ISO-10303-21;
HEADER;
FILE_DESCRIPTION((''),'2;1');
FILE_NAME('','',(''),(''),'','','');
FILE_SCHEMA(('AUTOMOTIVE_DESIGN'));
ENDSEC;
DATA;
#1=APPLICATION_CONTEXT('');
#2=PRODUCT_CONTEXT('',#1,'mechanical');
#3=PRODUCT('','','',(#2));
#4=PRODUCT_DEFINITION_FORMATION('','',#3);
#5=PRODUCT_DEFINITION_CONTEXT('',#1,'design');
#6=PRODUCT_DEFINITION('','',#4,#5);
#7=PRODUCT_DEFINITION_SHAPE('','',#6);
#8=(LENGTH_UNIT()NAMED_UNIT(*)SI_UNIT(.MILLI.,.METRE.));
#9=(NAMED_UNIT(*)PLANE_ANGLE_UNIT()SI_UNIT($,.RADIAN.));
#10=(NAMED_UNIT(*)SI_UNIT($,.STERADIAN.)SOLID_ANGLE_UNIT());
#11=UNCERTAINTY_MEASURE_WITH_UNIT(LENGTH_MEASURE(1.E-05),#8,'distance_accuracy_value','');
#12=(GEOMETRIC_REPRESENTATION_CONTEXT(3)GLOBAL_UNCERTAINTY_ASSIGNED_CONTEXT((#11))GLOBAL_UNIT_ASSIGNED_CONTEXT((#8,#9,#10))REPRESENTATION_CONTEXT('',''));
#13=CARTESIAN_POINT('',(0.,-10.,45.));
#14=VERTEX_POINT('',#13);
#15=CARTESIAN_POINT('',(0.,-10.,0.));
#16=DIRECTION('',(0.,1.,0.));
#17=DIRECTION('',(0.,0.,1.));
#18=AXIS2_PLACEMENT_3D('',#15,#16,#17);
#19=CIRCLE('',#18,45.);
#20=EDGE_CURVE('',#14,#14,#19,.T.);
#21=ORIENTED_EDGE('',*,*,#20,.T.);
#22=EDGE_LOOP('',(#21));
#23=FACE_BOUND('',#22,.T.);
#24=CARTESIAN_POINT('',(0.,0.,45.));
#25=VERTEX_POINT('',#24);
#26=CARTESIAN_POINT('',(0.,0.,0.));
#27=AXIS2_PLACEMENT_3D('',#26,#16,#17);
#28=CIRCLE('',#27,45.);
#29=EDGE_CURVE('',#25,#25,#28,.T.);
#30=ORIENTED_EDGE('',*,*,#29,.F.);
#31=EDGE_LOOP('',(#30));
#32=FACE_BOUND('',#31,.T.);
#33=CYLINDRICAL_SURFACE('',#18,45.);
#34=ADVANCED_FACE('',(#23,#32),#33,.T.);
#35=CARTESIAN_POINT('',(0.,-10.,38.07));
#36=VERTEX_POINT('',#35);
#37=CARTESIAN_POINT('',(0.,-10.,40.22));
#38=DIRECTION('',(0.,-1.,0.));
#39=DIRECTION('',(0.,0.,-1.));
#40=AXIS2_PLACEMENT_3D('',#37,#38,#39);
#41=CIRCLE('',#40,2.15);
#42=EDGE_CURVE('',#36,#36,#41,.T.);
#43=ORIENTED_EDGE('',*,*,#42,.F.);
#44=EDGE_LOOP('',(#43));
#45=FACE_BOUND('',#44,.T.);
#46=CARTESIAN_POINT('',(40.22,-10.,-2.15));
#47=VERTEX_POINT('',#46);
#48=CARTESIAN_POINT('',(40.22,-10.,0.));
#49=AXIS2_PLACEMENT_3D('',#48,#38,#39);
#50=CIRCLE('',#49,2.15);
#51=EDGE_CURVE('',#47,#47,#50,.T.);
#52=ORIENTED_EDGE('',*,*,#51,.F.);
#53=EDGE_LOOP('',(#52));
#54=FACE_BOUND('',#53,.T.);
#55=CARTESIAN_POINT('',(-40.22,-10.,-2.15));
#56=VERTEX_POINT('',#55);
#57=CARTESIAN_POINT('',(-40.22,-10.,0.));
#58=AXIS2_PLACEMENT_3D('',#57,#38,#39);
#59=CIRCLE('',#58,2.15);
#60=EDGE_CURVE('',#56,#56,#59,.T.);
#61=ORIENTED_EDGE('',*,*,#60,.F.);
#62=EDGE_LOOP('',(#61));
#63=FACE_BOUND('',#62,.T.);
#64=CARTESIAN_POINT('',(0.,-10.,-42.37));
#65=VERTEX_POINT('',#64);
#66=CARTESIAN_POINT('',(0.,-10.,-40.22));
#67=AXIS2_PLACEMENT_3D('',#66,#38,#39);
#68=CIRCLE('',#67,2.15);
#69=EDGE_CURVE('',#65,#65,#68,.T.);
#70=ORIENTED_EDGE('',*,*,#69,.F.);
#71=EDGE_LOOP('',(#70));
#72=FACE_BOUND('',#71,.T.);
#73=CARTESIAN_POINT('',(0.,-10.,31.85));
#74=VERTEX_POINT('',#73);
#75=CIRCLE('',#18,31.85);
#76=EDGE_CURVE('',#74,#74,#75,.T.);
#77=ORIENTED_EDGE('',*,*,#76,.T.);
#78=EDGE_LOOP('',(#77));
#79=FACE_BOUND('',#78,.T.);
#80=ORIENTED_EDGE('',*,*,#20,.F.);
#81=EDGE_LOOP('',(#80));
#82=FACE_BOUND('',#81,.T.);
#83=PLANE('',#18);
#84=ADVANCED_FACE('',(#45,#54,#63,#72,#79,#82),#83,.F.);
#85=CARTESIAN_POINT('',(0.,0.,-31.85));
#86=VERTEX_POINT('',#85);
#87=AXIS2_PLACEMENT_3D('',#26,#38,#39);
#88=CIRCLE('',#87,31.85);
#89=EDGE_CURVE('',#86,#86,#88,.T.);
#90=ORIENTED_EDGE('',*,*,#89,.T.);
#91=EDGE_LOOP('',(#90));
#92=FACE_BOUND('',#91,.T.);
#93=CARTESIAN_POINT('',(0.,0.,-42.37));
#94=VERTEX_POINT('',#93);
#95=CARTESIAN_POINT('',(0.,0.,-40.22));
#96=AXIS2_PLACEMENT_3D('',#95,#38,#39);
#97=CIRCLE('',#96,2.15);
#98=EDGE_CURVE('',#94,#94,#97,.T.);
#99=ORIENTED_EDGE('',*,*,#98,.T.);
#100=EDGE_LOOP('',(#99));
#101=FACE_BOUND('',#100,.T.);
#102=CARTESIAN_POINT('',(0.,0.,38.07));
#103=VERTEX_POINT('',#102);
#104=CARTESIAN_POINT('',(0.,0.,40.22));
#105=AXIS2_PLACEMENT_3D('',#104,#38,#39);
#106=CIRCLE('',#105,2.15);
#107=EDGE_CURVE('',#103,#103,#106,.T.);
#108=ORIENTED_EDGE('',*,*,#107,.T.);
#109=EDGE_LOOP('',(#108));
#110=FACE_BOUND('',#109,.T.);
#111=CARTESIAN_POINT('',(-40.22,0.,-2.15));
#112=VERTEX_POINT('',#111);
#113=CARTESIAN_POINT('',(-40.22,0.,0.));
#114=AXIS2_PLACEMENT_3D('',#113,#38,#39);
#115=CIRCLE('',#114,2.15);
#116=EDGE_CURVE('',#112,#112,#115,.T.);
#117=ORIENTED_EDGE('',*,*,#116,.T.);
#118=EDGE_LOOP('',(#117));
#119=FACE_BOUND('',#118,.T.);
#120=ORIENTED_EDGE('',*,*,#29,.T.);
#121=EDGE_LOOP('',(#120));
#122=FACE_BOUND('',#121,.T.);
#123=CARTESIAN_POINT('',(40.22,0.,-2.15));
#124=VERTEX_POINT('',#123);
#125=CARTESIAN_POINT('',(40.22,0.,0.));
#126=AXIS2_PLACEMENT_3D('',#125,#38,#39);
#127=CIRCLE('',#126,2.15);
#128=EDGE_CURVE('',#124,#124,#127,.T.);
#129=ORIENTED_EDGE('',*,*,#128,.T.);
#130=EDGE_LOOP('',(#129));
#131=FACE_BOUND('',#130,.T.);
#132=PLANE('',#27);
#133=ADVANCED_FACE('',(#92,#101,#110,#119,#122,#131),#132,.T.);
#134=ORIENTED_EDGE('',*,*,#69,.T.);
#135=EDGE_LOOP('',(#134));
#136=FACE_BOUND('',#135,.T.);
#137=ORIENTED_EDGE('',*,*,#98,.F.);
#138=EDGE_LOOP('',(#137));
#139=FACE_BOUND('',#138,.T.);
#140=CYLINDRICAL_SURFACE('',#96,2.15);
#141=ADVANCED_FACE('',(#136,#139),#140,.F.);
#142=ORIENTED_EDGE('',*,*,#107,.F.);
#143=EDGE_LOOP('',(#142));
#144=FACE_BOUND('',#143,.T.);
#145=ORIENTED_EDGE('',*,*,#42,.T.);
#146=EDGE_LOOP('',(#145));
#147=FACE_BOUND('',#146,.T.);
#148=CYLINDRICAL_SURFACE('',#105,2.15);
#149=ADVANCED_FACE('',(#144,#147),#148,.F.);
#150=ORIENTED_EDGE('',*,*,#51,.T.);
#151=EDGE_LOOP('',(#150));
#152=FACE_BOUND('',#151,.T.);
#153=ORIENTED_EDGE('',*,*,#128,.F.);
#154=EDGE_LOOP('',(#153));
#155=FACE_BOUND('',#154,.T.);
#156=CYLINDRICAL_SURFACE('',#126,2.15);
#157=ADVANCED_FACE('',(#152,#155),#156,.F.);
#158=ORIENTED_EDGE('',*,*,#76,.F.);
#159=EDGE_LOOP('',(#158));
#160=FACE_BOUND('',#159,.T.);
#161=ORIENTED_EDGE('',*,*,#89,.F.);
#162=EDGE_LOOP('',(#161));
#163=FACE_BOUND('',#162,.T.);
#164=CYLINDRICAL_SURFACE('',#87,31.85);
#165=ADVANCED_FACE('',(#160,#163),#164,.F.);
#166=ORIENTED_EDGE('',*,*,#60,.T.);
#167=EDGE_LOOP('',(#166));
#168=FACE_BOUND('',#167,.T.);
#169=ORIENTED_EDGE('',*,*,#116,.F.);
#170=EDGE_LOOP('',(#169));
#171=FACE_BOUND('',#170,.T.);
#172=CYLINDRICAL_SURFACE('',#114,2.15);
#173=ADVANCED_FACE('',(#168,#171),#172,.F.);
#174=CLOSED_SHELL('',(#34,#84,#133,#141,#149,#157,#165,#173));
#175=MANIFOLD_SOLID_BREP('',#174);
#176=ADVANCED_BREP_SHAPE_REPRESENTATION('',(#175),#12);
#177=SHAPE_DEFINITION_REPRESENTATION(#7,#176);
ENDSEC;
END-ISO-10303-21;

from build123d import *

# Parameters (mm, degrees)
SKETCH2_R               = 45
BOSS_EXTRUDE1_DEPTH     = 10
SKETCH7_R               = 31.85
CUT_EXTRUDE1_DEPTH      = 1
CUT_EXTRUDE1_DEPTH_BACK = 11
SKETCH8_R               = 2.15
CUT_EXTRUDE2_DEPTH      = 11


with BuildPart() as part:
    # Sketch2 → Boss-Extrude1 (new body)
    with BuildSketch(Plane(origin=(0, 0, 0), x_dir=(1, 0, 0), z_dir=(0, 1, 0))):
        Circle(SKETCH2_R)
    extrude(amount=-BOSS_EXTRUDE1_DEPTH)

    # Sketch7 → Cut-Extrude1 (cut, two sides)
    with BuildSketch(Plane(origin=(0, -10, 0), x_dir=(-1, 0, 0), z_dir=(0, -1, 0))) as cut_extrude1_sk:
        Circle(SKETCH7_R)
    extrude(amount=CUT_EXTRUDE1_DEPTH, mode=Mode.SUBTRACT)
    extrude(cut_extrude1_sk.sketch, amount=-CUT_EXTRUDE1_DEPTH_BACK, mode=Mode.SUBTRACT)

    # Sketch8 → Cut-Extrude2 (cut, through all)
    with BuildSketch(Plane.XZ.offset(10)):
        with Locations((-40.22, 0)):
            Circle(SKETCH8_R)
        with Locations((0, -40.22)):
            Circle(SKETCH8_R)
        with Locations((0, 40.22)):
            Circle(SKETCH8_R)
        with Locations((40.22, 0)):
            Circle(SKETCH8_R)
    extrude(amount=-CUT_EXTRUDE2_DEPTH, mode=Mode.SUBTRACT)


solid = part.part
